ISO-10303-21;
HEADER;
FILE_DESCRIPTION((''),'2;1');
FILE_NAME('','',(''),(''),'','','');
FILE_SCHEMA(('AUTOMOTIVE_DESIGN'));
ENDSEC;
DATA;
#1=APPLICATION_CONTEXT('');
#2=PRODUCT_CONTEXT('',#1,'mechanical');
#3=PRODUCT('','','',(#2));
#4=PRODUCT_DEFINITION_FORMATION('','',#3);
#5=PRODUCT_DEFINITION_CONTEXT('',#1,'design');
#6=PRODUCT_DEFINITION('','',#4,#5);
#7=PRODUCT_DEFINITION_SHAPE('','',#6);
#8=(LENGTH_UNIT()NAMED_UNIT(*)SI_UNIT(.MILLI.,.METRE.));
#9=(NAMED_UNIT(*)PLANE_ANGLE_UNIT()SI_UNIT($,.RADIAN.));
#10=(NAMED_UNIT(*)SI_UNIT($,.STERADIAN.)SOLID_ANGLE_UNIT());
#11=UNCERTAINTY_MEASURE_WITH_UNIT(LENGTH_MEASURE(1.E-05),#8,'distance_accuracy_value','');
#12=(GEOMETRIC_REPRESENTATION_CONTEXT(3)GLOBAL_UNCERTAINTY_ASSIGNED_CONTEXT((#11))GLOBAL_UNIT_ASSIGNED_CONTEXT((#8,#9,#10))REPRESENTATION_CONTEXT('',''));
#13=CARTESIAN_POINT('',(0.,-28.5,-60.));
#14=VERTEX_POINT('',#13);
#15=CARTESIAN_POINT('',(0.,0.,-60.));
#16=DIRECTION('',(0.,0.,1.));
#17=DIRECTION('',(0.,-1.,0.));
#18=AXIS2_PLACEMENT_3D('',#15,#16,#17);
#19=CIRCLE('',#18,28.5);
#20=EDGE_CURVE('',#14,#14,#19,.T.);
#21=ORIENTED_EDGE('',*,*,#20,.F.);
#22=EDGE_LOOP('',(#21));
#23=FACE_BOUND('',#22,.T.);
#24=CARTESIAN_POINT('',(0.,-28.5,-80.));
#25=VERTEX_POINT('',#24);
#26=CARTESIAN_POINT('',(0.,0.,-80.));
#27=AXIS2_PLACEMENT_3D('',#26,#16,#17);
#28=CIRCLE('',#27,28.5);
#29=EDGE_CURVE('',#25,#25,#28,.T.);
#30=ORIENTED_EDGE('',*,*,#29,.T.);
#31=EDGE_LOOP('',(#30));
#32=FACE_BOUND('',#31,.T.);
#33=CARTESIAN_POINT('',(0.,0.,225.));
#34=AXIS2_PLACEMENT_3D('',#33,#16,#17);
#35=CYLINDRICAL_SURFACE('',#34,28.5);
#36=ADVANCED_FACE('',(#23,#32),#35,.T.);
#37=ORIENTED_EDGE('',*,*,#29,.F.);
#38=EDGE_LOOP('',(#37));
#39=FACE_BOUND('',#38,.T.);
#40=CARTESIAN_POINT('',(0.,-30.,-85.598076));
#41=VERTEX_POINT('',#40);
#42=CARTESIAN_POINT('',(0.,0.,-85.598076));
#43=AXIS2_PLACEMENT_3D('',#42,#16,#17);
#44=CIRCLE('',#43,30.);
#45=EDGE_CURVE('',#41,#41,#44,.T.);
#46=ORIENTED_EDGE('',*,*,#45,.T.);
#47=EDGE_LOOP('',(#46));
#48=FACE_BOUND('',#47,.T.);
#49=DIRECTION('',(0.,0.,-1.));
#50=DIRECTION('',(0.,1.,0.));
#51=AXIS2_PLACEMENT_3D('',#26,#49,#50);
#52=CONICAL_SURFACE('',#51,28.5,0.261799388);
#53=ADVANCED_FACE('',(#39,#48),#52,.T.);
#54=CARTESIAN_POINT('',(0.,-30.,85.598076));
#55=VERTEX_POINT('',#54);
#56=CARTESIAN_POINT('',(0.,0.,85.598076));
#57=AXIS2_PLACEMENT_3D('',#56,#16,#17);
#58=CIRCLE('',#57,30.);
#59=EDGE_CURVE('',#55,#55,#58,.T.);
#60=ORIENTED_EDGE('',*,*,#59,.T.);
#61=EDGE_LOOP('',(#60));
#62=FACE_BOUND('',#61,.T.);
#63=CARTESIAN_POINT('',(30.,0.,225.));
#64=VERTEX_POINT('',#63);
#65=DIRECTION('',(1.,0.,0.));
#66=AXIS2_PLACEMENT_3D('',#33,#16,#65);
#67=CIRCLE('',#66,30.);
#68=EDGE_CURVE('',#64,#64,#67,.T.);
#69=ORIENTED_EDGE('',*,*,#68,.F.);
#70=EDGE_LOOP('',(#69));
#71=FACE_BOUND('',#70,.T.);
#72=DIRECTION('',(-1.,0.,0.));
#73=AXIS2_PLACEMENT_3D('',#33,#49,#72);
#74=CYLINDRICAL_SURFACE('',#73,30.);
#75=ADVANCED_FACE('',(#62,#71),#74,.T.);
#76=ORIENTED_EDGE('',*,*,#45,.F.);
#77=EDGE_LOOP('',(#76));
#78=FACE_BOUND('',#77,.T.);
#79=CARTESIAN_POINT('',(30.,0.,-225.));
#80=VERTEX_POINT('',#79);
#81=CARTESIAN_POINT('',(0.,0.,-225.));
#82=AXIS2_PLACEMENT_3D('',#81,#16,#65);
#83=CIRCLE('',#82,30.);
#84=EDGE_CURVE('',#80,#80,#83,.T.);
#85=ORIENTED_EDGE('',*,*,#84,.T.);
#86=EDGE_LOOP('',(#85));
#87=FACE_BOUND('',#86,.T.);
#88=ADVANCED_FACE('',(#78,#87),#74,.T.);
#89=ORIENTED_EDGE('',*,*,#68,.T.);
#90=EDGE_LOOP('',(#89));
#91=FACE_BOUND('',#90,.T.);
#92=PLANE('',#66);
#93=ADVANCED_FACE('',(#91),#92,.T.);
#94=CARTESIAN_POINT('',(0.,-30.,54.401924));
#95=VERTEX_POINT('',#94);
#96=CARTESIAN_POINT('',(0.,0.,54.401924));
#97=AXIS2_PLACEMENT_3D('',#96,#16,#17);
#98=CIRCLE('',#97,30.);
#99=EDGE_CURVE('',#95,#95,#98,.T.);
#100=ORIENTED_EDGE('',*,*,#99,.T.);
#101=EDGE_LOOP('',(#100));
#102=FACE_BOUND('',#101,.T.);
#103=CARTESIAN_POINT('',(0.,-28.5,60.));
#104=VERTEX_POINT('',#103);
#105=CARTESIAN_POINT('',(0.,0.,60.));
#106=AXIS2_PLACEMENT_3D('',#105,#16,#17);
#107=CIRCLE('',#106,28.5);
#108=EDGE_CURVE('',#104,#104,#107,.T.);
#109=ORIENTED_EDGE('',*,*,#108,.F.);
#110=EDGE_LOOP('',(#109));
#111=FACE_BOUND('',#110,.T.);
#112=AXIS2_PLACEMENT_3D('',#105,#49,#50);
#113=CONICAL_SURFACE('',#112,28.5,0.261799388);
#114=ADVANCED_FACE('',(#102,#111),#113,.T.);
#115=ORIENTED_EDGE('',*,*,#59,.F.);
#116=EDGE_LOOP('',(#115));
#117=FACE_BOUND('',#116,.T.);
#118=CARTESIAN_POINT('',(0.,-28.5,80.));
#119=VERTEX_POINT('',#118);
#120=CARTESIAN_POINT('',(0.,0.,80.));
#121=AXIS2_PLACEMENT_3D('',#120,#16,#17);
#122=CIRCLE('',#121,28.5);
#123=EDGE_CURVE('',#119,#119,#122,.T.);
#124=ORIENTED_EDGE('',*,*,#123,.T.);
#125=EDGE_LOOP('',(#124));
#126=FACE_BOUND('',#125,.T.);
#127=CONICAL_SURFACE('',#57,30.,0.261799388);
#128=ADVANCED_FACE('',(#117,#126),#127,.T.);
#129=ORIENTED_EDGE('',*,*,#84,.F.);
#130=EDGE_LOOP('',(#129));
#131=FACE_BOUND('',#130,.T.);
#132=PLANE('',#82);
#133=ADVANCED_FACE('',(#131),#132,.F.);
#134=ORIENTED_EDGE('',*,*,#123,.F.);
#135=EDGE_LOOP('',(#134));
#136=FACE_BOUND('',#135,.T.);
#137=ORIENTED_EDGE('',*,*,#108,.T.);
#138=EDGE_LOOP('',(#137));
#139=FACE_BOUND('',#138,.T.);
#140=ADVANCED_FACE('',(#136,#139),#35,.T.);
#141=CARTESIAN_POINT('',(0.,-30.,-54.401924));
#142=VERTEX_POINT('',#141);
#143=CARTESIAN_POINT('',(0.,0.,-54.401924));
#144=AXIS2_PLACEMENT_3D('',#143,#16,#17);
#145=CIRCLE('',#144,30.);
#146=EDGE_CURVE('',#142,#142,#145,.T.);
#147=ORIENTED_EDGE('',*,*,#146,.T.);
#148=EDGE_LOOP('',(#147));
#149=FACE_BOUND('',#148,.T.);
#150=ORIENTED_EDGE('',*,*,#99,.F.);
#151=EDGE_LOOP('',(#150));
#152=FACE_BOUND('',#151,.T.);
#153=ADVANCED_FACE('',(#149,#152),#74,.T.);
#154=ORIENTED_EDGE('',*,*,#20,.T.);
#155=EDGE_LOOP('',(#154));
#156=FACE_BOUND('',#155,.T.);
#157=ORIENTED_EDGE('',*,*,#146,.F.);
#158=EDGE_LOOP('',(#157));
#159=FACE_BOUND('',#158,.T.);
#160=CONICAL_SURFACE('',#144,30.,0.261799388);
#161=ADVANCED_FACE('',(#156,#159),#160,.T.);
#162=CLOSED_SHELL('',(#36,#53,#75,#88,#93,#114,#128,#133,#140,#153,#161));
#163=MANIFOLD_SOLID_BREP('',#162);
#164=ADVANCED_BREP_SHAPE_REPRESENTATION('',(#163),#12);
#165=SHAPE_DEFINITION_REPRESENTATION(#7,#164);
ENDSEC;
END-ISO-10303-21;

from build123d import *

# Parameters (mm, degrees)
SKETCH1_R           = 30
BOSS_EXTRUDE1_DEPTH = 225


with BuildPart() as part:
    # Sketch1 → Boss-Extrude1 (new body, symmetric)
    with BuildSketch(Plane.XY):
        Circle(SKETCH1_R)
    extrude(amount=BOSS_EXTRUDE1_DEPTH, both=True)

    # Sketch3 → Cut-Revolve1 (revolve, cut)
    with BuildSketch(Plane(origin=(0, 0, 0), x_dir=(0, 0, -1), z_dir=(1, 0, 0))):
        Polygon((-85.598076211, 30), (-80, 28.5), (-60, 28.5), (-54.401923789, 30), align=None)
        Polygon((85.598076211, 30), (54.401923789, 30), (60, 28.5), (80, 28.5), align=None)
    revolve(axis=Axis((0, 0, 225), (0, 0, -1)), mode=Mode.SUBTRACT)


solid = part.part
